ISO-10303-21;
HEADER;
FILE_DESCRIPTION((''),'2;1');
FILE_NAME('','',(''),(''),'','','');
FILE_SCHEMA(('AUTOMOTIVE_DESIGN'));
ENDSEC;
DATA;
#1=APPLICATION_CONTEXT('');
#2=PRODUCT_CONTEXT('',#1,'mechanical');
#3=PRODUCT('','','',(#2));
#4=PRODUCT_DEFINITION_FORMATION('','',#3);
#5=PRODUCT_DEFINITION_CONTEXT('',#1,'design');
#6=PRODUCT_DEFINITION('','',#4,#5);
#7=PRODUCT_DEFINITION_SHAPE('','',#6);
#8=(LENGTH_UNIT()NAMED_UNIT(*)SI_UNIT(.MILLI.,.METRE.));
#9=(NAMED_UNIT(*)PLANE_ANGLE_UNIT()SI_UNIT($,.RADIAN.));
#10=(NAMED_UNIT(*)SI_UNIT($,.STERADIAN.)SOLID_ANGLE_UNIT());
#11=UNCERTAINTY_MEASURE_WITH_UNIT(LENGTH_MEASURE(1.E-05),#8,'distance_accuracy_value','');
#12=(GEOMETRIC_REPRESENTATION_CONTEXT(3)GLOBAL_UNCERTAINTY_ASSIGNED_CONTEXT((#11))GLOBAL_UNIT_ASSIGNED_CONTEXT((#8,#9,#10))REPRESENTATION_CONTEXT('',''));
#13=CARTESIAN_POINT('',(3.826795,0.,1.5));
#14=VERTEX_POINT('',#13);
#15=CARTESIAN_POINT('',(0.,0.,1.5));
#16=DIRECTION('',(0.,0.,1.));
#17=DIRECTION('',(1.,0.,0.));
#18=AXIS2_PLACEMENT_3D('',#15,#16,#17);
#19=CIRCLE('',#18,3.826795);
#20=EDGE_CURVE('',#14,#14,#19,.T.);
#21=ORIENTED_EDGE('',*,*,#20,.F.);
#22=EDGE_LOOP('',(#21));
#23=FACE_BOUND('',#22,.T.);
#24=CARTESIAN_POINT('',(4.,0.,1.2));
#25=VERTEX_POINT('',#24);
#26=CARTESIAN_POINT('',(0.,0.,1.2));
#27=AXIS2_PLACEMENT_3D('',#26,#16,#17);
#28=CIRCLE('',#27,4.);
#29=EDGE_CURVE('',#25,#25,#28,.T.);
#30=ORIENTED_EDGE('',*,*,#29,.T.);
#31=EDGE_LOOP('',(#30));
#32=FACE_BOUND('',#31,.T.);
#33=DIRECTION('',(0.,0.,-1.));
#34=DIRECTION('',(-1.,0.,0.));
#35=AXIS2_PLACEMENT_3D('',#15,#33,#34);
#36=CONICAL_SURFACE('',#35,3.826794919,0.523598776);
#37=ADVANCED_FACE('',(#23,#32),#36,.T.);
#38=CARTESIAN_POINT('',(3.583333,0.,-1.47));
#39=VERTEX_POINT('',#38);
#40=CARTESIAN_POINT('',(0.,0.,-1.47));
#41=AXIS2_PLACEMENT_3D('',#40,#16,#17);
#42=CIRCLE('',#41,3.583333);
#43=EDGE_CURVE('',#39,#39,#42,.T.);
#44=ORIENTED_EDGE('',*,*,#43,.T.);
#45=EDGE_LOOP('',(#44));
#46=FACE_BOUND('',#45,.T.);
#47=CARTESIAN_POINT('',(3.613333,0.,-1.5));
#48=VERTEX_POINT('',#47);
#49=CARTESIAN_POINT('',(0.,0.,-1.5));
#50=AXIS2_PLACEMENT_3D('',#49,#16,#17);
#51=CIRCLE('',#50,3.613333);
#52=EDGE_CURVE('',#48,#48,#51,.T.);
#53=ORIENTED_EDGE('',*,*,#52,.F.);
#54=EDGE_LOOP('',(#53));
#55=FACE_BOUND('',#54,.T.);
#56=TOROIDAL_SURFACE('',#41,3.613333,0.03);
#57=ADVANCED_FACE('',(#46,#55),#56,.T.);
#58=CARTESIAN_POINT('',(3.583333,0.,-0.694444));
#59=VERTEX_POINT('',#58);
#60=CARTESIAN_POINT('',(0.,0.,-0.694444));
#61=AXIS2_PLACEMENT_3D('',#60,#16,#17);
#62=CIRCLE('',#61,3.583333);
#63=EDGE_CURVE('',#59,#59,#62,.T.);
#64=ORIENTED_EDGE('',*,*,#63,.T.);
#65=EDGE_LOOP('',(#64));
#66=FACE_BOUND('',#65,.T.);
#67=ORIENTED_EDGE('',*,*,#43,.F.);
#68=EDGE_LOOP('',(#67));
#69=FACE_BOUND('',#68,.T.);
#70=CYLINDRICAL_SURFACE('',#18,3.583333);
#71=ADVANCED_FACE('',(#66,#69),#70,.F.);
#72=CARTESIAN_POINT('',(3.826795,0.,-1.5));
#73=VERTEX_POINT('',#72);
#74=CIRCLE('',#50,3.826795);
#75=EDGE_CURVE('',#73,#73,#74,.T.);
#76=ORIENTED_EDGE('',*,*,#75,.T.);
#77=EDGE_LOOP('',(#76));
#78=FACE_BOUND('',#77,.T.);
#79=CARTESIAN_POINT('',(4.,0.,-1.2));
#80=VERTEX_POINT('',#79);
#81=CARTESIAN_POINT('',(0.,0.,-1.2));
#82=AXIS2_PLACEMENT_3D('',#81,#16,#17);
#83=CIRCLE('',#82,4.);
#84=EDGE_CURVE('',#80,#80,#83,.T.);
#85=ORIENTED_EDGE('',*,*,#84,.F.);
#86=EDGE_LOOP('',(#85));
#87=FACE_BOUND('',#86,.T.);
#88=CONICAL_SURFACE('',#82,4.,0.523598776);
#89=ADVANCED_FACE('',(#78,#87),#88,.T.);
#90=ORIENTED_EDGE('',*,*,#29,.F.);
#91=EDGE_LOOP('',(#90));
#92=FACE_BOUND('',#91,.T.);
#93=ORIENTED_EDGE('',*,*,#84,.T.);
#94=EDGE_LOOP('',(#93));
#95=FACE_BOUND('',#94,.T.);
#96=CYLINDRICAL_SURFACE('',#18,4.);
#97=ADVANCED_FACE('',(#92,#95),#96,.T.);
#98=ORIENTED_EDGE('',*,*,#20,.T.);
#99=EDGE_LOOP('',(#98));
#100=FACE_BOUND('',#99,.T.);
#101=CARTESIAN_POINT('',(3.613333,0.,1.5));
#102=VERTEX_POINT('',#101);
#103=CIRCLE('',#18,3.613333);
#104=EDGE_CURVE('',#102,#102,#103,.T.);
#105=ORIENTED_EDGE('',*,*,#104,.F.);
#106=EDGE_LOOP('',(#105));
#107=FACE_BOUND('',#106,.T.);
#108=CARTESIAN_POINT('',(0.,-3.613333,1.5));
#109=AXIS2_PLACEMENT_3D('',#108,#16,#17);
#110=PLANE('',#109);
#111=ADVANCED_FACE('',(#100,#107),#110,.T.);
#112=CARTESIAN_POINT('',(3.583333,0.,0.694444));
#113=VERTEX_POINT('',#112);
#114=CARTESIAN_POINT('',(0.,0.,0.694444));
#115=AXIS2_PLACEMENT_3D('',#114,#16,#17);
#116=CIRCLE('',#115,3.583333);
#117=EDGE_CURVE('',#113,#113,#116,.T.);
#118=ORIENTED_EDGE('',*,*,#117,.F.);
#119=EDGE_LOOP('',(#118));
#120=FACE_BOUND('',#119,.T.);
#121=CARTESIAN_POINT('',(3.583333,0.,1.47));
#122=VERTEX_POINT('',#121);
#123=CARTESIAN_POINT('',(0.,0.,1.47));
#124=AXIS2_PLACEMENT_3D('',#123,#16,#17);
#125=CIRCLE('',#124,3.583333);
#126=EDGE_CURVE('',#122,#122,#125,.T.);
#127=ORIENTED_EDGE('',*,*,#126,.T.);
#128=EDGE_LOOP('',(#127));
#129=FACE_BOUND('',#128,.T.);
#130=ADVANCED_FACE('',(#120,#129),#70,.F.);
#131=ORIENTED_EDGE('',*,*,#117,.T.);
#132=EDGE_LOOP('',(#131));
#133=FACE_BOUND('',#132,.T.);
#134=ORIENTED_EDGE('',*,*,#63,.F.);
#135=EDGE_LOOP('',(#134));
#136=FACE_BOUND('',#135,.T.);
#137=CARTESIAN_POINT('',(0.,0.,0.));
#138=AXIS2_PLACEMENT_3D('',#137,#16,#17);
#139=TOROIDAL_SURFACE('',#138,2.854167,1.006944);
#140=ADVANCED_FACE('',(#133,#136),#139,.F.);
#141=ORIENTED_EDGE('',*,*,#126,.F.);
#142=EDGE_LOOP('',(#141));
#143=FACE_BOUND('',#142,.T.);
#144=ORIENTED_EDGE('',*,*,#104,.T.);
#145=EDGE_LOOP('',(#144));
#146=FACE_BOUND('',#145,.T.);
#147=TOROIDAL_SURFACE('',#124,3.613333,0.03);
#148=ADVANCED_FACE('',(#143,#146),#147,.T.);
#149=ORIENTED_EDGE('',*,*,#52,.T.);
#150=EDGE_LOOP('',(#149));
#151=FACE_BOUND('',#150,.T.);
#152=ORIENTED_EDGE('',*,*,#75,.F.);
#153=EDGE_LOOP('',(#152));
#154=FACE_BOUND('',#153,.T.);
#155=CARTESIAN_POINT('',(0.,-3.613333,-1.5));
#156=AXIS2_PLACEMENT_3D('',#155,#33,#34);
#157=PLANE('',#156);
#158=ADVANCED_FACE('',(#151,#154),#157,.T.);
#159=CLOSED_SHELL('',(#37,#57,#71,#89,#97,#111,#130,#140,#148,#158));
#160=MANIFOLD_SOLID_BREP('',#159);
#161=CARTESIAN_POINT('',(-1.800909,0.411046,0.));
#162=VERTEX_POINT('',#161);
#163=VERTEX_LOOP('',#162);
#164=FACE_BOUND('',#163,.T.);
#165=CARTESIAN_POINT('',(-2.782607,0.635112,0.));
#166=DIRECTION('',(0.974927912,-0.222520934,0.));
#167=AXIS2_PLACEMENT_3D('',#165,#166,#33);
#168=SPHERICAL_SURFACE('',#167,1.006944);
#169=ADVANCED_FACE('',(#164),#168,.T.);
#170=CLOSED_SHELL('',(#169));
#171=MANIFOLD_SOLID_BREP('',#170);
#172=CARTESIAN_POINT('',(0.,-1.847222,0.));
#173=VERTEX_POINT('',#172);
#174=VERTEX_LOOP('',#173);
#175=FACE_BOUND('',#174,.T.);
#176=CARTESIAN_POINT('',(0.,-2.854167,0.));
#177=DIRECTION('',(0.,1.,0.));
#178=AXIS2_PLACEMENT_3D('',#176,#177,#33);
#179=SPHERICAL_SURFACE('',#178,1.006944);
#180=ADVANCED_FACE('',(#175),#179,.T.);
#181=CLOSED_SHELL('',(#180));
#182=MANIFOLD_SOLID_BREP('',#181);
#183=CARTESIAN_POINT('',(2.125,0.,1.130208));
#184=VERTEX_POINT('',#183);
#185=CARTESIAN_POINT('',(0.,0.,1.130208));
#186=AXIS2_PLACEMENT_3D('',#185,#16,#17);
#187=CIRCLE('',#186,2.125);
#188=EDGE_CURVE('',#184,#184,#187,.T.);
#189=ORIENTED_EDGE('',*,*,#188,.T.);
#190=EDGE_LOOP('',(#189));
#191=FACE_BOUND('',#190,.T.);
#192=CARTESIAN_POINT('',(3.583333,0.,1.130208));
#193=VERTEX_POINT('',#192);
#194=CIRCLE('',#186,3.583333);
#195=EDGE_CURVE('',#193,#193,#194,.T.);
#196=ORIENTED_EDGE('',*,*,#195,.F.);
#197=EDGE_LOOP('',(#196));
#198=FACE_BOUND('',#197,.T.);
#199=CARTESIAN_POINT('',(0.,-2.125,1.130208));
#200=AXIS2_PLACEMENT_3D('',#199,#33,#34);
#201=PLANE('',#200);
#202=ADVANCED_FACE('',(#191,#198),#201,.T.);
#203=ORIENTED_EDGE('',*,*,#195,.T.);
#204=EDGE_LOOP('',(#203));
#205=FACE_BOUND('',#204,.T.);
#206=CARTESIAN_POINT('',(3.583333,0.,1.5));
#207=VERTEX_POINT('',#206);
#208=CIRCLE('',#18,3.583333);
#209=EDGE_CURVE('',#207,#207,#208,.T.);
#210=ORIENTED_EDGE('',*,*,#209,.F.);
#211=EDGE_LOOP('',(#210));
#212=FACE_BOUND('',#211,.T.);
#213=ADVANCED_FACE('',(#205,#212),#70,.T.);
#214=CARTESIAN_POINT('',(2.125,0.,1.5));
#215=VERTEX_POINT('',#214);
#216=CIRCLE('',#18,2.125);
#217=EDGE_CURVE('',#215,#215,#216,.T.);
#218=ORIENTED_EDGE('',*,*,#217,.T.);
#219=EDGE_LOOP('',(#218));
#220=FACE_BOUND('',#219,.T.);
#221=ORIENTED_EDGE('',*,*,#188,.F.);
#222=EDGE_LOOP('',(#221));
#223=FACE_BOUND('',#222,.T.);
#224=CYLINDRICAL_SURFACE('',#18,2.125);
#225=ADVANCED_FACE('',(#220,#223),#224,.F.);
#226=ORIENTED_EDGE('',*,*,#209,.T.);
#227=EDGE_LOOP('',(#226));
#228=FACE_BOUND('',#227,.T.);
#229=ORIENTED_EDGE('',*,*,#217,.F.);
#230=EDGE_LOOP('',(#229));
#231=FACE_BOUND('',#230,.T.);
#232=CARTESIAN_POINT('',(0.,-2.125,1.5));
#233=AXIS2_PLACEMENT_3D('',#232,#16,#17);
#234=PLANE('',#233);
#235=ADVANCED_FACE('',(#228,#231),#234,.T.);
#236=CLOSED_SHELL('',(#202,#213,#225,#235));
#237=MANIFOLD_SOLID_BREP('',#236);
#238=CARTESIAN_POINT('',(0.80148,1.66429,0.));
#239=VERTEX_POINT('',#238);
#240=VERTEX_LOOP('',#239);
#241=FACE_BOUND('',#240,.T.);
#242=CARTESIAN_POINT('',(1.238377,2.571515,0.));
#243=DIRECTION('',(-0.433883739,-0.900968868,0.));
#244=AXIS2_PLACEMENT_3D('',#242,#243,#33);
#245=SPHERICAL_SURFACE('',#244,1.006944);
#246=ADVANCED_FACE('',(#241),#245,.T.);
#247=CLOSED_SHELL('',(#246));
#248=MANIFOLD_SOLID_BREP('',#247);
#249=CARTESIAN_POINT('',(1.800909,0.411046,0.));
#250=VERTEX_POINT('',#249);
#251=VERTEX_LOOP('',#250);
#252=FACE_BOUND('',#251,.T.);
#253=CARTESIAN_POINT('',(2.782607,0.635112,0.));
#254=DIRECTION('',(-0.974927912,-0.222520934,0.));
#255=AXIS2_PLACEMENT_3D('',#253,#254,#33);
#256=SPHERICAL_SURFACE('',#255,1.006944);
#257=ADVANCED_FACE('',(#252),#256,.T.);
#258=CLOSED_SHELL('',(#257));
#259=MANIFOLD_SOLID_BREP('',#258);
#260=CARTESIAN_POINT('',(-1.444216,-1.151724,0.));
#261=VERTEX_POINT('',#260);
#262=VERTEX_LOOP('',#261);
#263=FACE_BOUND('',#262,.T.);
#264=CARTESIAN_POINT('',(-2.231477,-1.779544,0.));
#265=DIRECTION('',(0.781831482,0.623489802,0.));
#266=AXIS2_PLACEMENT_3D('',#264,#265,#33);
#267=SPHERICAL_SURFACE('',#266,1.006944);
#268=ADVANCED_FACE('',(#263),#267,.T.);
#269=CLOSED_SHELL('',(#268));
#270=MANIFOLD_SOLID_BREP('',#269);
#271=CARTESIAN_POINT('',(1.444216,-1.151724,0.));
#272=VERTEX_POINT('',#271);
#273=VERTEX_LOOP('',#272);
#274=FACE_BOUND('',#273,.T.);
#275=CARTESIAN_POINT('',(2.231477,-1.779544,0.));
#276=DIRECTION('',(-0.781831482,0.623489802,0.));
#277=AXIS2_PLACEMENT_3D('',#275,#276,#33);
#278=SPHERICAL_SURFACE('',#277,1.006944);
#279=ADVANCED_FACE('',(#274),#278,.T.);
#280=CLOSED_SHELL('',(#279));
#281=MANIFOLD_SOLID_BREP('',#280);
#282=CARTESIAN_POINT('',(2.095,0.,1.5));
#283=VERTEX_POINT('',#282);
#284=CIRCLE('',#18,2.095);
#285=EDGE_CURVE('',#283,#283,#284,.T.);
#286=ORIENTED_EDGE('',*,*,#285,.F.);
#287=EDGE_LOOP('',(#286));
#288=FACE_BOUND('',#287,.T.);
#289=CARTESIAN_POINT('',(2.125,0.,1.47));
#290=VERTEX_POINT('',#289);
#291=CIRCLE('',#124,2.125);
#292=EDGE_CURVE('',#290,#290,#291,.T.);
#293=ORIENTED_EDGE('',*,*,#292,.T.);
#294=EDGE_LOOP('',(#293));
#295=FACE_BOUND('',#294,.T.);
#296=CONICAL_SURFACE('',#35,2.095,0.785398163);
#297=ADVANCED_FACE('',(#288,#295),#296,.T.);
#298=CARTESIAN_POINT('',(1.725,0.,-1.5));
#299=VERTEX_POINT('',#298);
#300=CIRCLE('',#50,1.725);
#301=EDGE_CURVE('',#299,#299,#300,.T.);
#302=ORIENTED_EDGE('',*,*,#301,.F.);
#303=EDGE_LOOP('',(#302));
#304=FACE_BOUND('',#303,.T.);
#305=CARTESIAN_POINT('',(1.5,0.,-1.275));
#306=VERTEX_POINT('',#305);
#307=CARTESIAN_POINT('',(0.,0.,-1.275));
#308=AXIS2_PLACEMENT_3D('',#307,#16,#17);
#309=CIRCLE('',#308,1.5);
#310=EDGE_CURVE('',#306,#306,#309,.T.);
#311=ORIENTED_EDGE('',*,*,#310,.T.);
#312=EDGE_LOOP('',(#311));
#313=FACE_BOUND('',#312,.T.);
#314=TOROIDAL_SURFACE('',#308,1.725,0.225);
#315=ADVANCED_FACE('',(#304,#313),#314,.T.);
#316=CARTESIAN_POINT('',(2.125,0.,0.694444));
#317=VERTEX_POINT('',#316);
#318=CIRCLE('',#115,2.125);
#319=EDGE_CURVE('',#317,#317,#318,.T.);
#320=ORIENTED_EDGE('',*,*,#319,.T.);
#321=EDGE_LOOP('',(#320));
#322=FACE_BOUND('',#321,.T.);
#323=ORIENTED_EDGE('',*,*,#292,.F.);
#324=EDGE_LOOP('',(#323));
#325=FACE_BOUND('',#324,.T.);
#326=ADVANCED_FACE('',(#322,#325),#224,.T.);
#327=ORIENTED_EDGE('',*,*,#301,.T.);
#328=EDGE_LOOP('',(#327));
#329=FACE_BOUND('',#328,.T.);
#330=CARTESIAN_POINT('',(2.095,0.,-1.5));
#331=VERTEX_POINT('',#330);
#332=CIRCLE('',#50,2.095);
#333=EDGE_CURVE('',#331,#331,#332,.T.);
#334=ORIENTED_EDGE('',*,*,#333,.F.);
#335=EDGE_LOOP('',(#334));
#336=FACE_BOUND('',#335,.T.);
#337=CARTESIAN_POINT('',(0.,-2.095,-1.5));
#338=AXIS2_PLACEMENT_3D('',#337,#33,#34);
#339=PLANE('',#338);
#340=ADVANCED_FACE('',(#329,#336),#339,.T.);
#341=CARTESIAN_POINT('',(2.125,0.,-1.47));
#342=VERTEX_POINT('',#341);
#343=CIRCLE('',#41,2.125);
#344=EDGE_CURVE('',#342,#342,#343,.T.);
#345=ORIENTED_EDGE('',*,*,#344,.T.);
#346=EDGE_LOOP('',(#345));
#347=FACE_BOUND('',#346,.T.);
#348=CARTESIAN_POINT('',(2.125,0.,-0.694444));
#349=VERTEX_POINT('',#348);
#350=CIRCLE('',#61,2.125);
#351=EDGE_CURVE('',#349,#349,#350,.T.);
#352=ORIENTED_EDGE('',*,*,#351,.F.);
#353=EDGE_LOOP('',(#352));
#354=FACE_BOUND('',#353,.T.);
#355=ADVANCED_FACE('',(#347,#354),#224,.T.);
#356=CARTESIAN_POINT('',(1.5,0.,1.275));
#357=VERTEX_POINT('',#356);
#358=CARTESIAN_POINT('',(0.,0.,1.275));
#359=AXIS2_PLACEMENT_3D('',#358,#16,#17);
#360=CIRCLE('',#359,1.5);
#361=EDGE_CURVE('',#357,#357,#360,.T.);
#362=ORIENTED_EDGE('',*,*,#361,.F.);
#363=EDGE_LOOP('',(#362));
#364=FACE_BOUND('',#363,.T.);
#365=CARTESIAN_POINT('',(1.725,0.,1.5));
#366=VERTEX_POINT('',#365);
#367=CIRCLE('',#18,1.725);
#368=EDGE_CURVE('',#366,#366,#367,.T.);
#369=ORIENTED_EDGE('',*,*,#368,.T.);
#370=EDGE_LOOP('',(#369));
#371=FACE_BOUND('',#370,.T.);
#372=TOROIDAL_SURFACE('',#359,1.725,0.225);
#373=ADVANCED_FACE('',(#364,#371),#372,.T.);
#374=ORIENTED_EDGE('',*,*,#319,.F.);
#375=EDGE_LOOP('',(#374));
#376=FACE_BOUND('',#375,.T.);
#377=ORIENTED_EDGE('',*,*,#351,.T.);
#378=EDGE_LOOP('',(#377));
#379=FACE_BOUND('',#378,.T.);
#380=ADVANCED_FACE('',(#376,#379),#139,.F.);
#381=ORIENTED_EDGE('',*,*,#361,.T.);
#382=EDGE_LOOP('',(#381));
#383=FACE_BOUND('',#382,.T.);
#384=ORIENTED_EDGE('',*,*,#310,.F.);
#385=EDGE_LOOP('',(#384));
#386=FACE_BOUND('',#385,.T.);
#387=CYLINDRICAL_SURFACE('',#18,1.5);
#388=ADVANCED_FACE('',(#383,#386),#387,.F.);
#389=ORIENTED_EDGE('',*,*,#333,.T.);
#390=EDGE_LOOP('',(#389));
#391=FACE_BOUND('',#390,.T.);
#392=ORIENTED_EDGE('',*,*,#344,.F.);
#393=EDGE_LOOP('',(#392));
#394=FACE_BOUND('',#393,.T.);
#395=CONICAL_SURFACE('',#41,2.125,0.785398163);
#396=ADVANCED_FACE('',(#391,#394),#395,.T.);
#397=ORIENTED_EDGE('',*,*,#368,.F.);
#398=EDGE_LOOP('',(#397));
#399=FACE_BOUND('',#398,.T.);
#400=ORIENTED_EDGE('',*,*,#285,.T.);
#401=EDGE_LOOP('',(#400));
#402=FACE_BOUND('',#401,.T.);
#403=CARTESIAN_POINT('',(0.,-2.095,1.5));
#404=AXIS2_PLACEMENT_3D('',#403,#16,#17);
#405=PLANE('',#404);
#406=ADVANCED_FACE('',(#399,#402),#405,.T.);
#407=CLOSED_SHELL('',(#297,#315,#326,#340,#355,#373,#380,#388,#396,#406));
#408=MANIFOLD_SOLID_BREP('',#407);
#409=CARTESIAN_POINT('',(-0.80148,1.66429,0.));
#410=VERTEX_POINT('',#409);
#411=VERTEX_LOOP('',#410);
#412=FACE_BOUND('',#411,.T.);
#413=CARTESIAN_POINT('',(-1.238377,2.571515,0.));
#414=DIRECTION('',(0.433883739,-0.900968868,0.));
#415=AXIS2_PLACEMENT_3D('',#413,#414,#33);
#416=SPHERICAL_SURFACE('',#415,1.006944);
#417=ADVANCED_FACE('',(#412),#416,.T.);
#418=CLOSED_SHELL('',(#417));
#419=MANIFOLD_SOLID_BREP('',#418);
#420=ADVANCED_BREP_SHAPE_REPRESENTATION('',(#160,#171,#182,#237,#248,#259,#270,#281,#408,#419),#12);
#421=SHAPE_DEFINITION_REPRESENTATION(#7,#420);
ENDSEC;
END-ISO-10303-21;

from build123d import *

# Parameters (mm, degrees)
SKETCH4_W         = 0.369791667
SKETCH4_H         = 1.458333333
CIRPATTERN1_COUNT = 7


with BuildPart() as part:
    # Sketch3 → Revolve1 (revolve)
    with BuildSketch(Plane(origin=(0, 0, 0), x_dir=(0, 0, -1), z_dir=(1, 0, 0)), mode=Mode.PRIVATE) as revolve1_sk:
        with BuildLine():
            Line((-1.2, -4), (1.2, -4))
            Line((1.2, -4), (1.5, -3.826794919))
            Line((1.5, -3.826794919), (1.5, -3.613333333))
            ThreePointArc((1.5, -3.613333333), (1.491213203, -3.59212013), (1.47, -3.583333333))
            Line((1.47, -3.583333333), (0.694444444, -3.583333333))
            ThreePointArc((0.694444444, -3.583333333), (0, -3.861111111), (-0.694444444, -3.583333333))
            Line((-0.694444444, -3.583333333), (-1.47, -3.583333333))
            ThreePointArc((-1.47, -3.583333333), (-1.491213203, -3.59212013), (-1.5, -3.613333333))
            Line((-1.5, -3.613333333), (-1.5, -3.826794919))
            Line((-1.5, -3.826794919), (-1.2, -4))
        make_face()
        with BuildLine():
            Line((-1.275, -1.5), (1.275, -1.5))
            ThreePointArc((1.275, -1.5), (1.434099026, -1.565900974), (1.5, -1.725))
            Line((1.5, -1.725), (1.5, -2.095))
            Line((1.5, -2.095), (1.47, -2.125))
            Line((1.47, -2.125), (0.694444444, -2.125))
            ThreePointArc((0.694444444, -2.125), (0, -1.847222222), (-0.694444444, -2.125))
            Line((-0.694444444, -2.125), (-1.47, -2.125))
            Line((-1.47, -2.125), (-1.5, -2.095))
            Line((-1.5, -2.095), (-1.5, -1.725))
            ThreePointArc((-1.5, -1.725), (-1.434099026, -1.565900974), (-1.275, -1.5))
        make_face()
    revolve(revolve1_sk.sketch.rotate(Axis((0, 0, 1.5), (0, 0, -1)), 270), axis=Axis((0, 0, 1.5), (0, 0, -1)))


with BuildPart() as body_2:
    # Sketch4 → Revolve2 (revolve)
    with BuildSketch(Plane(origin=(0, 0, 0), x_dir=(0, 0, -1), z_dir=(1, 0, 0)), mode=Mode.PRIVATE) as revolve2_sk:
        with Locations((-1.315104167, -2.854166667)):
            Rectangle(SKETCH4_W, SKETCH4_H)
    revolve(revolve2_sk.sketch.rotate(Axis((0, 0, 1.5), (0, 0, -1)), 270), axis=Axis((0, 0, 1.5), (0, 0, -1)))


with BuildPart() as body_3:
    # Sketch5 → Revolve3 (revolve)
    with BuildSketch(Plane(origin=(0, 0, 0), x_dir=(0, 0, -1), z_dir=(1, 0, 0))):
        with BuildLine():
            Line((0, -1.847222222), (0, -3.861111111))
            ThreePointArc((0, -3.861111111), (-1.006944444, -2.854166667), (0, -1.847222222))
        make_face()
    revolve(axis=Axis((0, 0, 0), (0, -1, 0)))


with BuildPart() as cirpattern1_1:
    # CirPattern1: pattern copy
    add(body_3.part.rotate(Axis((0, 0, 0), (0, 0, 1)), 1 * 360 / CIRPATTERN1_COUNT))


with BuildPart() as cirpattern1_2:
    # CirPattern1: pattern copy
    add(body_3.part.rotate(Axis((0, 0, 0), (0, 0, 1)), 2 * 360 / CIRPATTERN1_COUNT))


with BuildPart() as cirpattern1_3:
    # CirPattern1: pattern copy
    add(body_3.part.rotate(Axis((0, 0, 0), (0, 0, 1)), 3 * 360 / CIRPATTERN1_COUNT))


with BuildPart() as cirpattern1_4:
    # CirPattern1: pattern copy
    add(body_3.part.rotate(Axis((0, 0, 0), (0, 0, 1)), 4 * 360 / CIRPATTERN1_COUNT))


with BuildPart() as cirpattern1_5:
    # CirPattern1: pattern copy
    add(body_3.part.rotate(Axis((0, 0, 0), (0, 0, 1)), 5 * 360 / CIRPATTERN1_COUNT))


with BuildPart() as cirpattern1_6:
    # CirPattern1: pattern copy
    add(body_3.part.rotate(Axis((0, 0, 0), (0, 0, 1)), 6 * 360 / CIRPATTERN1_COUNT))


solid = Compound([part.part, body_2.part, body_3.part, cirpattern1_1.part, cirpattern1_2.part, cirpattern1_3.part, cirpattern1_4.part, cirpattern1_5.part, cirpattern1_6.part])
